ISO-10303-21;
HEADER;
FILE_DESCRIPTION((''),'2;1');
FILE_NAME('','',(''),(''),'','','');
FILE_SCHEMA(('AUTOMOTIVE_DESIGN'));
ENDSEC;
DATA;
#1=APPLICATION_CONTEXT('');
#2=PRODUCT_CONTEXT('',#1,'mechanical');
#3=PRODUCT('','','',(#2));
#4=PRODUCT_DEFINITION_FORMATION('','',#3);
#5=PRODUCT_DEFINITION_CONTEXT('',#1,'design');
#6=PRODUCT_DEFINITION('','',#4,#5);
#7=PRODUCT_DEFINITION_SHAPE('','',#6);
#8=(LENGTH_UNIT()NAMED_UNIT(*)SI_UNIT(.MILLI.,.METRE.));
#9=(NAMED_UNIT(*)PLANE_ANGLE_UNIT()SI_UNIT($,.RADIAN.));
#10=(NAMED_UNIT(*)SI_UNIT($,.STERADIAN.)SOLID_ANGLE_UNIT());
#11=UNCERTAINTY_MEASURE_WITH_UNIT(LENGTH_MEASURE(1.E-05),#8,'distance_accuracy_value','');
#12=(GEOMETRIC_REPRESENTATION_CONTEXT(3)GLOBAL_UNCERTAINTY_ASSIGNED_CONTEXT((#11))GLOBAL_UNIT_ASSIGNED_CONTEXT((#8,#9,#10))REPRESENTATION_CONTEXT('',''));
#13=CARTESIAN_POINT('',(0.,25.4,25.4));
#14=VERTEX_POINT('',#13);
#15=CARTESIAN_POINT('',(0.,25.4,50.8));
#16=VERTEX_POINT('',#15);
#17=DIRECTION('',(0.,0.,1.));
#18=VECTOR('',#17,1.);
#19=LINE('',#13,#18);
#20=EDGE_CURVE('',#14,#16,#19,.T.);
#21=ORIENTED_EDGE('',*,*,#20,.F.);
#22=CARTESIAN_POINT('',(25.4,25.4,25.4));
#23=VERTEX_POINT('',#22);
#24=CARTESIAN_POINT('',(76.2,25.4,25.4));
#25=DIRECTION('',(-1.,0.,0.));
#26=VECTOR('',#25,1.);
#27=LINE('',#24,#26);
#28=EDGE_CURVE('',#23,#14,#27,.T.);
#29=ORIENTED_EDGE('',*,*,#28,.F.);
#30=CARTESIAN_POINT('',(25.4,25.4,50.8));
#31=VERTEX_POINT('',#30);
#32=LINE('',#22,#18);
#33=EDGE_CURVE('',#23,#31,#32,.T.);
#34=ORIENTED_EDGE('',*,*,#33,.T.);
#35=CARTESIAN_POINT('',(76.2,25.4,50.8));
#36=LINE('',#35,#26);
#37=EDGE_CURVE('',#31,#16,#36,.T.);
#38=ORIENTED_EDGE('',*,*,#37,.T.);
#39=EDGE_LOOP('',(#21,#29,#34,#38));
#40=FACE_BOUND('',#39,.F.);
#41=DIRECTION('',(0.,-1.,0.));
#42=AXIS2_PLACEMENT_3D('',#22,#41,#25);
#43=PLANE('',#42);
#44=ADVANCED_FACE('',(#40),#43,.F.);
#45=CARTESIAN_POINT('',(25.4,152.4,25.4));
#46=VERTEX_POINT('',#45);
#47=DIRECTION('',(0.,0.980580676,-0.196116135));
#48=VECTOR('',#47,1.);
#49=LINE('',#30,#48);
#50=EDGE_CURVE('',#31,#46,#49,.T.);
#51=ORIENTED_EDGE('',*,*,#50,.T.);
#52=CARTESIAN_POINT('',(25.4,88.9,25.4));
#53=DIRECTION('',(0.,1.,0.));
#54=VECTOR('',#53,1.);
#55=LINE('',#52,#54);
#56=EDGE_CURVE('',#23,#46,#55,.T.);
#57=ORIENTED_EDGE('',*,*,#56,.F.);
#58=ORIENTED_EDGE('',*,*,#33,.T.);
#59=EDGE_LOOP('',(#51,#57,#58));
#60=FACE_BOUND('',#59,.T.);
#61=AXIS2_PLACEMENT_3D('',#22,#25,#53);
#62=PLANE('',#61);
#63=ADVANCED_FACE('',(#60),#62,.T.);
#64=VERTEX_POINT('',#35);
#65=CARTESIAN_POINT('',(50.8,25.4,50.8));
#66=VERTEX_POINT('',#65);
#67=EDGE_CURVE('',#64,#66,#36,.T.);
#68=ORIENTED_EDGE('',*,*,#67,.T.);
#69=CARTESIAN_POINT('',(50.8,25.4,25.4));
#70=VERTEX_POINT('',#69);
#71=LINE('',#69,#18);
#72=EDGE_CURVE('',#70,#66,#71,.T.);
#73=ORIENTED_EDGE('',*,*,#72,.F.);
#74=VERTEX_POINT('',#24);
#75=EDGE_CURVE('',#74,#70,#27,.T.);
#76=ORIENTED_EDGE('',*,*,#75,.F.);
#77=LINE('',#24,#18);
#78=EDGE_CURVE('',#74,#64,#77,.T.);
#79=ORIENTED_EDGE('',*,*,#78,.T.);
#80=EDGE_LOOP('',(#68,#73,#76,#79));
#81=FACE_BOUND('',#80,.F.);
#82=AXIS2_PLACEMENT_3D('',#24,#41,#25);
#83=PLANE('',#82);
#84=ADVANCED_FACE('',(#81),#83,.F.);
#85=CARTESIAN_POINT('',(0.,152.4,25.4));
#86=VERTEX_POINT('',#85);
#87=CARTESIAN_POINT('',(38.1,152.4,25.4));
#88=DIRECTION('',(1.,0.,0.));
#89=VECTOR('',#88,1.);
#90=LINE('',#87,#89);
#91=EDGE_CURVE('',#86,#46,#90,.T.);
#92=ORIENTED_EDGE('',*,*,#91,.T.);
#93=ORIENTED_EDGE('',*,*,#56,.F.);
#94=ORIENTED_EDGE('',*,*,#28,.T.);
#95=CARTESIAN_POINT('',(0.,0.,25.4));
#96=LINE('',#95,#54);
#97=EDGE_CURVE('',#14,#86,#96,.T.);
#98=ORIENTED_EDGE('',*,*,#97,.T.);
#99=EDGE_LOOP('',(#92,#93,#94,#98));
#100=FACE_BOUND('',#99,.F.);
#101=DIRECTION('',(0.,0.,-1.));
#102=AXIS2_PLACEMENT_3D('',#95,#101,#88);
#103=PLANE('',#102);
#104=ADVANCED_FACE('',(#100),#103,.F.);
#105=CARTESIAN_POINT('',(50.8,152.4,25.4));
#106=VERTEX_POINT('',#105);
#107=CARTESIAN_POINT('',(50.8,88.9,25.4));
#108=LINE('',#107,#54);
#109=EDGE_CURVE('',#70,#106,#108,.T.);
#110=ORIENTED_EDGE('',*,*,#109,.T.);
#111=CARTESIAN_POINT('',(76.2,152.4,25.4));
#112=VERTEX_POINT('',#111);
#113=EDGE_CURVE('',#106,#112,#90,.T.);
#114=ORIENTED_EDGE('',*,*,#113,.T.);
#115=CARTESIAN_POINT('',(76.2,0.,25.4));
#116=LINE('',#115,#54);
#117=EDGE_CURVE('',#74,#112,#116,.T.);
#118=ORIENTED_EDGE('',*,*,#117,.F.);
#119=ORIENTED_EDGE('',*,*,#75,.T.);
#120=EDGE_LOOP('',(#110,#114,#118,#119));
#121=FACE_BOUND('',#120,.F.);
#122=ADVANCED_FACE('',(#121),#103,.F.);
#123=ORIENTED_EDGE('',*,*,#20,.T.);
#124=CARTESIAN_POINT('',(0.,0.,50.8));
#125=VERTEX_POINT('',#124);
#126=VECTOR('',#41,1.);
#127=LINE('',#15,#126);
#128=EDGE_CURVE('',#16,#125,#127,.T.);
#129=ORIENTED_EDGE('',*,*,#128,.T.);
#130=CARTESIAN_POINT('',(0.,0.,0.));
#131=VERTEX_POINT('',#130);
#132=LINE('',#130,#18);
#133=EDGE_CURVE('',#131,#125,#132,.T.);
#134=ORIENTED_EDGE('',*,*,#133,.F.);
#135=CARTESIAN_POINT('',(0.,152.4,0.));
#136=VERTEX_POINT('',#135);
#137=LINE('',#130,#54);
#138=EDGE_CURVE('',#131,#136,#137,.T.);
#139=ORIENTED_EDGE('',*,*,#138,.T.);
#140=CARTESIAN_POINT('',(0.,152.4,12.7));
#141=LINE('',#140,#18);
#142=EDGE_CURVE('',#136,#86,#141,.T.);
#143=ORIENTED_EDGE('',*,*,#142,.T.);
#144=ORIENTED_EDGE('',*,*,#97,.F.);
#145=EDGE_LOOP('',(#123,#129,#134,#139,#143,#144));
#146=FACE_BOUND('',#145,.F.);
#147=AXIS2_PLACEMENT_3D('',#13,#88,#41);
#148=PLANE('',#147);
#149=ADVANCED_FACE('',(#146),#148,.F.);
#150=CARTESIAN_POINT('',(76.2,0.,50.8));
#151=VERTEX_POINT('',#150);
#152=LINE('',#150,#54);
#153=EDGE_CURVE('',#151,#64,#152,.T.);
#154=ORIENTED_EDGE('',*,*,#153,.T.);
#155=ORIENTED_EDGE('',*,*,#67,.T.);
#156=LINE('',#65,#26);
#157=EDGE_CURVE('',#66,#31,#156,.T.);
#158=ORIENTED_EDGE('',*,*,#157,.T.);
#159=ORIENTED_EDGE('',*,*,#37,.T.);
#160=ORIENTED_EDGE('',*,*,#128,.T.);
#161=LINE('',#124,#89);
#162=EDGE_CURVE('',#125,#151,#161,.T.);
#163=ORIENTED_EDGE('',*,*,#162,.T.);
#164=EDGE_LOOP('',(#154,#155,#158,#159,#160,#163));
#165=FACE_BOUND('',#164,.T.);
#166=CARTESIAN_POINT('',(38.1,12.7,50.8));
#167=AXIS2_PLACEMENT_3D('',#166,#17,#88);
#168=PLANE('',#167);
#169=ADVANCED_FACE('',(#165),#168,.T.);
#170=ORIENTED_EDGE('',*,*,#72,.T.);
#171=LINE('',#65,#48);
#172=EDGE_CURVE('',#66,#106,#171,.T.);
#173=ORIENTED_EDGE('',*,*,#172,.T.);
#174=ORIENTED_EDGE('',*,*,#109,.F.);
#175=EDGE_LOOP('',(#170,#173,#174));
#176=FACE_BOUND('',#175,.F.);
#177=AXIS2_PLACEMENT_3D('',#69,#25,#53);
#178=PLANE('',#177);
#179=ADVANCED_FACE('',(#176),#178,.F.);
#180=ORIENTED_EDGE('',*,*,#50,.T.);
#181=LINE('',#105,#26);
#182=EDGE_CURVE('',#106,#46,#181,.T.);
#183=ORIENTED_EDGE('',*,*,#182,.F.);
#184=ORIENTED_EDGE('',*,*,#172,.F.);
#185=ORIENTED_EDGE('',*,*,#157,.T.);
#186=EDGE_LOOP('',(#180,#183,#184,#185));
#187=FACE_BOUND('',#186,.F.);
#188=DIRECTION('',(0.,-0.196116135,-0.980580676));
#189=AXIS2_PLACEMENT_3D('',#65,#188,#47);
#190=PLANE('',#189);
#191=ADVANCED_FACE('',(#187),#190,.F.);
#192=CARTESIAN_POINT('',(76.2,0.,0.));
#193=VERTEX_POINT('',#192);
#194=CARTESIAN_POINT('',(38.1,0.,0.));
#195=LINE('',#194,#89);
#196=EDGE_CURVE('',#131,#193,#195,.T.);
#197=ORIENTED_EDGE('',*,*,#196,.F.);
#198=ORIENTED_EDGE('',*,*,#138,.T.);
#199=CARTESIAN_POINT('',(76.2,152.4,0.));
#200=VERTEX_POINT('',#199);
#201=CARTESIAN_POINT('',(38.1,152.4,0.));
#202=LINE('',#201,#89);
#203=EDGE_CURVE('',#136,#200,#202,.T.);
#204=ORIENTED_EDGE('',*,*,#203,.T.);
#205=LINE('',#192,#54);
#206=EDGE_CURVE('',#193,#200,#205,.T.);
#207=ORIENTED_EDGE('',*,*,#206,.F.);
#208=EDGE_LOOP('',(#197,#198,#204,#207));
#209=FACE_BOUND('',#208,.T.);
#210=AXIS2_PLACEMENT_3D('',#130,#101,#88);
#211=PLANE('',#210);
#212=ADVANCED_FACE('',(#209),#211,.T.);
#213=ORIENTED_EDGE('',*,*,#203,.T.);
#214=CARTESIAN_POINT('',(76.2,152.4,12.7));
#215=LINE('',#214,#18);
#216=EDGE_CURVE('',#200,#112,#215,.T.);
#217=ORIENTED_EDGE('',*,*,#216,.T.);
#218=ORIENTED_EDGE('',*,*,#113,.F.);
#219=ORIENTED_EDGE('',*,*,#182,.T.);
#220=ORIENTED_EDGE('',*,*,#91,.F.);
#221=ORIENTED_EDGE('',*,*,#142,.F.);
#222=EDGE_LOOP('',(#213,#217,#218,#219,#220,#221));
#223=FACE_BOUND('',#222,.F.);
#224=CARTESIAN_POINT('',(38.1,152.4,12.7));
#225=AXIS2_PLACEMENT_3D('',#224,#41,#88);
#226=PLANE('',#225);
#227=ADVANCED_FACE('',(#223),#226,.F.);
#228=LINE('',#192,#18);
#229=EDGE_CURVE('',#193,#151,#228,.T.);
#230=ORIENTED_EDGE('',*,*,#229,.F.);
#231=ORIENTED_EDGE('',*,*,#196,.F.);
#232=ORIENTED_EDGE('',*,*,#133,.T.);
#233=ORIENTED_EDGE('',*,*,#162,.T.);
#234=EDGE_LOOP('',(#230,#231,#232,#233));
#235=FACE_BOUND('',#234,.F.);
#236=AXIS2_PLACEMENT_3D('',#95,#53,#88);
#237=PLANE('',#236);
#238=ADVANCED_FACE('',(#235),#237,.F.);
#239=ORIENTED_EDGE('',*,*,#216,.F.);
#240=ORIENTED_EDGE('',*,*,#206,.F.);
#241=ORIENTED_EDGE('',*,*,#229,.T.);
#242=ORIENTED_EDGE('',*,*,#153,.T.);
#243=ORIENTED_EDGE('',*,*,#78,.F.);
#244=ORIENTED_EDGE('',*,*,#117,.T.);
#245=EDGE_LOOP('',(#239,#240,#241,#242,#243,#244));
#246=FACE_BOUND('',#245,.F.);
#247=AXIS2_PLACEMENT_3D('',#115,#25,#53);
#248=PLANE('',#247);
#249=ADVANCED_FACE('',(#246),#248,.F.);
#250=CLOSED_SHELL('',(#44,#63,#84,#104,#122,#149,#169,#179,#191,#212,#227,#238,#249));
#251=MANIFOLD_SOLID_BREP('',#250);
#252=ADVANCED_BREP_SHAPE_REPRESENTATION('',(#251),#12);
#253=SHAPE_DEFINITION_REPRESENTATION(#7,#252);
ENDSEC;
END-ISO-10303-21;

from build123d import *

# Parameters (mm, degrees)
F0_W     = 76.2
F0_H     = 25.4
F1_DEPTH = 152.4
F2_W     = 25.4
F2_H     = 127
F3_DEPTH = 25.4
F5_DEPTH = 25.4


with BuildPart() as f1:
    # F0 (on Front) → F1 (new body)
    with BuildSketch(Plane.XZ):
        with Locations((38.1, 12.7)):
            Rectangle(F0_W, F0_H)
    extrude(amount=-F1_DEPTH)

    # F2 (on face) → F3 (join)
    with BuildSketch(Plane.XY.offset(25.4)):
        Polygon((0, 25.4), (0, 0), (76.2, 0), (76.2, 25.4), (50.8, 25.4), (25.4, 25.4), align=None)
        with Locations((38.1, 88.9)):
            Rectangle(F2_W, F2_H)
    extrude(amount=F3_DEPTH)

    # F4 (on face) → F5 (cut)
    with BuildSketch(Plane.YZ.offset(50.8)):
        Polygon((152.4, 50.8), (25.4, 50.8), (152.4, 25.4), align=None)
    extrude(amount=-F5_DEPTH, mode=Mode.SUBTRACT)


solid = f1.part
